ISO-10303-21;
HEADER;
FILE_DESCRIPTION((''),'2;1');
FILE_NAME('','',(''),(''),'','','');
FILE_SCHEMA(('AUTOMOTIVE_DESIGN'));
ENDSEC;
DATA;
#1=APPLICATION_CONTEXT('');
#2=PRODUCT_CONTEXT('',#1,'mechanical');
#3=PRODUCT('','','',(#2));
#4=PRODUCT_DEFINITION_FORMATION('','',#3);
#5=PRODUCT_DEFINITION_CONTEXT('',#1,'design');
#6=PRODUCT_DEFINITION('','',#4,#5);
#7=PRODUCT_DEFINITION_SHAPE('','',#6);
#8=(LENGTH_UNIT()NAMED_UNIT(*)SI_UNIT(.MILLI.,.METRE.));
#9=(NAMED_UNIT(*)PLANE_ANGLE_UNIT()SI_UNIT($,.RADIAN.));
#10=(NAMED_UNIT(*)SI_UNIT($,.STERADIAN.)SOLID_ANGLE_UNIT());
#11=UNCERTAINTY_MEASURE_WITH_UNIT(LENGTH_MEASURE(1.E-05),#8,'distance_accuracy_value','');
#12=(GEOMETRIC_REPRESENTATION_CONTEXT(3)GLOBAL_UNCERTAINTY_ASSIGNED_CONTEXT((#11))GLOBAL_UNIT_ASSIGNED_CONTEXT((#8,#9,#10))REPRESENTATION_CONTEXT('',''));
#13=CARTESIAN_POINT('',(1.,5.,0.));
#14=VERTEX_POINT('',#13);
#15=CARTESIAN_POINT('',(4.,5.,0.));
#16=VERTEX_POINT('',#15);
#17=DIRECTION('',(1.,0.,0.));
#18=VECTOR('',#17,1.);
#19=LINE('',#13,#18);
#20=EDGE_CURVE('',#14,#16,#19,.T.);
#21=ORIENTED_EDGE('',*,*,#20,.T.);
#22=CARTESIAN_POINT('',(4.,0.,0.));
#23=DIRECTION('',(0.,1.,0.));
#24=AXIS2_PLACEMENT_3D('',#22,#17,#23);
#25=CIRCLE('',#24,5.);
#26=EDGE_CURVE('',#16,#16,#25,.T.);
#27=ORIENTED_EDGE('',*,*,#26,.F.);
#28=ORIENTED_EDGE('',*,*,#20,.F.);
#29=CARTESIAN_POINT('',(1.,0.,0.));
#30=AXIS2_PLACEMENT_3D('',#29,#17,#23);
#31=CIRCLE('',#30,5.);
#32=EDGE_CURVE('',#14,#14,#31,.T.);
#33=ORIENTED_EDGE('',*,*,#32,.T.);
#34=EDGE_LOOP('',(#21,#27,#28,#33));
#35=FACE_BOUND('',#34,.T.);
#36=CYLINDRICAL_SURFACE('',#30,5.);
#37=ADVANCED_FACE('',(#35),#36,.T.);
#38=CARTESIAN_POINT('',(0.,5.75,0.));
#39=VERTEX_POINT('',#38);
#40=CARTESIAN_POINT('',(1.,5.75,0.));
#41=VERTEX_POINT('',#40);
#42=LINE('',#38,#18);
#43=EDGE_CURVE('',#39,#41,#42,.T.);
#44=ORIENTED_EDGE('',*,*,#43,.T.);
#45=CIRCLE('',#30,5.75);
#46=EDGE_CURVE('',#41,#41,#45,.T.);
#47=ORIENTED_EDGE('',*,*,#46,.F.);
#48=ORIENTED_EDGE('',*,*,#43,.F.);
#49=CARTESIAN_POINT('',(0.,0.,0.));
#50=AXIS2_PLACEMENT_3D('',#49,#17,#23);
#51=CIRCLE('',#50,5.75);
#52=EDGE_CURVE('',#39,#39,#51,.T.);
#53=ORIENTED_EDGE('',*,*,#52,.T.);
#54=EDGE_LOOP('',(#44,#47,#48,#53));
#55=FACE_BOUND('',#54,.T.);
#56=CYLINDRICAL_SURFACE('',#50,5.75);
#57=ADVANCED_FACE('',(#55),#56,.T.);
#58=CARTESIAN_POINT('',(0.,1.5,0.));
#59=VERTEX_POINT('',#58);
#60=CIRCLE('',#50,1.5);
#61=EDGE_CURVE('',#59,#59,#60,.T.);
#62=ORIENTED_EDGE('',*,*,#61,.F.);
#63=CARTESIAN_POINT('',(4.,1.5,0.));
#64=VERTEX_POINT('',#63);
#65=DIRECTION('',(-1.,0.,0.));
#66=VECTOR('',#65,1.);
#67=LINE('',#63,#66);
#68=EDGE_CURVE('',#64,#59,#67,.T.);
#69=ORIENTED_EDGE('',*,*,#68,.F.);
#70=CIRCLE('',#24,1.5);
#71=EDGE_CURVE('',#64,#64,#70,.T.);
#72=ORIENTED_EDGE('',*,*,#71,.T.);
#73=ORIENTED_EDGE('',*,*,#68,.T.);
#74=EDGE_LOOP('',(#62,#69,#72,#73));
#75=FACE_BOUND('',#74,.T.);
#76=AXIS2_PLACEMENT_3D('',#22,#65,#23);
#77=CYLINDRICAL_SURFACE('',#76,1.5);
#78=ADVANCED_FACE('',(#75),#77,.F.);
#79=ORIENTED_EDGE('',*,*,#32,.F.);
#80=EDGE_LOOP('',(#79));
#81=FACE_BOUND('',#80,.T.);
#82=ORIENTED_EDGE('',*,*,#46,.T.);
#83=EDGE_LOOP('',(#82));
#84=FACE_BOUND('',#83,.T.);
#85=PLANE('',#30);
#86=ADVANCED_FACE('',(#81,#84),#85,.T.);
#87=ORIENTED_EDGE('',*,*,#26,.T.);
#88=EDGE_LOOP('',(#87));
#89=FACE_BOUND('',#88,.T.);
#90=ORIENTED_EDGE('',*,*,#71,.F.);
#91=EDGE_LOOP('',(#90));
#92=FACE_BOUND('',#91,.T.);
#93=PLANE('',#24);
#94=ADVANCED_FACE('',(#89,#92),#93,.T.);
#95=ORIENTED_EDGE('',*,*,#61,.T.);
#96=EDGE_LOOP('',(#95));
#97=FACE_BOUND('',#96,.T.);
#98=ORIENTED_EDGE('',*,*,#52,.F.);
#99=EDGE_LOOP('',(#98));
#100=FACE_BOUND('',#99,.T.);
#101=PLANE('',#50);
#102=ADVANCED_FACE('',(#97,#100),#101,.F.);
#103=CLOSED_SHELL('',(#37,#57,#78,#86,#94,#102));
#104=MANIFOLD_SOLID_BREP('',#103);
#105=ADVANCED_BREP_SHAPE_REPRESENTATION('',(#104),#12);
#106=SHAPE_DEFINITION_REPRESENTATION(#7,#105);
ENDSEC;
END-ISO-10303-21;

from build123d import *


with BuildPart() as part:
    # Sketch → Revolution (revolve)
    with BuildSketch(Plane.XY):
        Polygon((0, 1.5), (0, 5.75), (1, 5.75), (1, 5), (4, 5), (4, 1.5), align=None)
    revolve(axis=Axis((0, 0, 0), (1, 0, 0)))


solid = part.part
